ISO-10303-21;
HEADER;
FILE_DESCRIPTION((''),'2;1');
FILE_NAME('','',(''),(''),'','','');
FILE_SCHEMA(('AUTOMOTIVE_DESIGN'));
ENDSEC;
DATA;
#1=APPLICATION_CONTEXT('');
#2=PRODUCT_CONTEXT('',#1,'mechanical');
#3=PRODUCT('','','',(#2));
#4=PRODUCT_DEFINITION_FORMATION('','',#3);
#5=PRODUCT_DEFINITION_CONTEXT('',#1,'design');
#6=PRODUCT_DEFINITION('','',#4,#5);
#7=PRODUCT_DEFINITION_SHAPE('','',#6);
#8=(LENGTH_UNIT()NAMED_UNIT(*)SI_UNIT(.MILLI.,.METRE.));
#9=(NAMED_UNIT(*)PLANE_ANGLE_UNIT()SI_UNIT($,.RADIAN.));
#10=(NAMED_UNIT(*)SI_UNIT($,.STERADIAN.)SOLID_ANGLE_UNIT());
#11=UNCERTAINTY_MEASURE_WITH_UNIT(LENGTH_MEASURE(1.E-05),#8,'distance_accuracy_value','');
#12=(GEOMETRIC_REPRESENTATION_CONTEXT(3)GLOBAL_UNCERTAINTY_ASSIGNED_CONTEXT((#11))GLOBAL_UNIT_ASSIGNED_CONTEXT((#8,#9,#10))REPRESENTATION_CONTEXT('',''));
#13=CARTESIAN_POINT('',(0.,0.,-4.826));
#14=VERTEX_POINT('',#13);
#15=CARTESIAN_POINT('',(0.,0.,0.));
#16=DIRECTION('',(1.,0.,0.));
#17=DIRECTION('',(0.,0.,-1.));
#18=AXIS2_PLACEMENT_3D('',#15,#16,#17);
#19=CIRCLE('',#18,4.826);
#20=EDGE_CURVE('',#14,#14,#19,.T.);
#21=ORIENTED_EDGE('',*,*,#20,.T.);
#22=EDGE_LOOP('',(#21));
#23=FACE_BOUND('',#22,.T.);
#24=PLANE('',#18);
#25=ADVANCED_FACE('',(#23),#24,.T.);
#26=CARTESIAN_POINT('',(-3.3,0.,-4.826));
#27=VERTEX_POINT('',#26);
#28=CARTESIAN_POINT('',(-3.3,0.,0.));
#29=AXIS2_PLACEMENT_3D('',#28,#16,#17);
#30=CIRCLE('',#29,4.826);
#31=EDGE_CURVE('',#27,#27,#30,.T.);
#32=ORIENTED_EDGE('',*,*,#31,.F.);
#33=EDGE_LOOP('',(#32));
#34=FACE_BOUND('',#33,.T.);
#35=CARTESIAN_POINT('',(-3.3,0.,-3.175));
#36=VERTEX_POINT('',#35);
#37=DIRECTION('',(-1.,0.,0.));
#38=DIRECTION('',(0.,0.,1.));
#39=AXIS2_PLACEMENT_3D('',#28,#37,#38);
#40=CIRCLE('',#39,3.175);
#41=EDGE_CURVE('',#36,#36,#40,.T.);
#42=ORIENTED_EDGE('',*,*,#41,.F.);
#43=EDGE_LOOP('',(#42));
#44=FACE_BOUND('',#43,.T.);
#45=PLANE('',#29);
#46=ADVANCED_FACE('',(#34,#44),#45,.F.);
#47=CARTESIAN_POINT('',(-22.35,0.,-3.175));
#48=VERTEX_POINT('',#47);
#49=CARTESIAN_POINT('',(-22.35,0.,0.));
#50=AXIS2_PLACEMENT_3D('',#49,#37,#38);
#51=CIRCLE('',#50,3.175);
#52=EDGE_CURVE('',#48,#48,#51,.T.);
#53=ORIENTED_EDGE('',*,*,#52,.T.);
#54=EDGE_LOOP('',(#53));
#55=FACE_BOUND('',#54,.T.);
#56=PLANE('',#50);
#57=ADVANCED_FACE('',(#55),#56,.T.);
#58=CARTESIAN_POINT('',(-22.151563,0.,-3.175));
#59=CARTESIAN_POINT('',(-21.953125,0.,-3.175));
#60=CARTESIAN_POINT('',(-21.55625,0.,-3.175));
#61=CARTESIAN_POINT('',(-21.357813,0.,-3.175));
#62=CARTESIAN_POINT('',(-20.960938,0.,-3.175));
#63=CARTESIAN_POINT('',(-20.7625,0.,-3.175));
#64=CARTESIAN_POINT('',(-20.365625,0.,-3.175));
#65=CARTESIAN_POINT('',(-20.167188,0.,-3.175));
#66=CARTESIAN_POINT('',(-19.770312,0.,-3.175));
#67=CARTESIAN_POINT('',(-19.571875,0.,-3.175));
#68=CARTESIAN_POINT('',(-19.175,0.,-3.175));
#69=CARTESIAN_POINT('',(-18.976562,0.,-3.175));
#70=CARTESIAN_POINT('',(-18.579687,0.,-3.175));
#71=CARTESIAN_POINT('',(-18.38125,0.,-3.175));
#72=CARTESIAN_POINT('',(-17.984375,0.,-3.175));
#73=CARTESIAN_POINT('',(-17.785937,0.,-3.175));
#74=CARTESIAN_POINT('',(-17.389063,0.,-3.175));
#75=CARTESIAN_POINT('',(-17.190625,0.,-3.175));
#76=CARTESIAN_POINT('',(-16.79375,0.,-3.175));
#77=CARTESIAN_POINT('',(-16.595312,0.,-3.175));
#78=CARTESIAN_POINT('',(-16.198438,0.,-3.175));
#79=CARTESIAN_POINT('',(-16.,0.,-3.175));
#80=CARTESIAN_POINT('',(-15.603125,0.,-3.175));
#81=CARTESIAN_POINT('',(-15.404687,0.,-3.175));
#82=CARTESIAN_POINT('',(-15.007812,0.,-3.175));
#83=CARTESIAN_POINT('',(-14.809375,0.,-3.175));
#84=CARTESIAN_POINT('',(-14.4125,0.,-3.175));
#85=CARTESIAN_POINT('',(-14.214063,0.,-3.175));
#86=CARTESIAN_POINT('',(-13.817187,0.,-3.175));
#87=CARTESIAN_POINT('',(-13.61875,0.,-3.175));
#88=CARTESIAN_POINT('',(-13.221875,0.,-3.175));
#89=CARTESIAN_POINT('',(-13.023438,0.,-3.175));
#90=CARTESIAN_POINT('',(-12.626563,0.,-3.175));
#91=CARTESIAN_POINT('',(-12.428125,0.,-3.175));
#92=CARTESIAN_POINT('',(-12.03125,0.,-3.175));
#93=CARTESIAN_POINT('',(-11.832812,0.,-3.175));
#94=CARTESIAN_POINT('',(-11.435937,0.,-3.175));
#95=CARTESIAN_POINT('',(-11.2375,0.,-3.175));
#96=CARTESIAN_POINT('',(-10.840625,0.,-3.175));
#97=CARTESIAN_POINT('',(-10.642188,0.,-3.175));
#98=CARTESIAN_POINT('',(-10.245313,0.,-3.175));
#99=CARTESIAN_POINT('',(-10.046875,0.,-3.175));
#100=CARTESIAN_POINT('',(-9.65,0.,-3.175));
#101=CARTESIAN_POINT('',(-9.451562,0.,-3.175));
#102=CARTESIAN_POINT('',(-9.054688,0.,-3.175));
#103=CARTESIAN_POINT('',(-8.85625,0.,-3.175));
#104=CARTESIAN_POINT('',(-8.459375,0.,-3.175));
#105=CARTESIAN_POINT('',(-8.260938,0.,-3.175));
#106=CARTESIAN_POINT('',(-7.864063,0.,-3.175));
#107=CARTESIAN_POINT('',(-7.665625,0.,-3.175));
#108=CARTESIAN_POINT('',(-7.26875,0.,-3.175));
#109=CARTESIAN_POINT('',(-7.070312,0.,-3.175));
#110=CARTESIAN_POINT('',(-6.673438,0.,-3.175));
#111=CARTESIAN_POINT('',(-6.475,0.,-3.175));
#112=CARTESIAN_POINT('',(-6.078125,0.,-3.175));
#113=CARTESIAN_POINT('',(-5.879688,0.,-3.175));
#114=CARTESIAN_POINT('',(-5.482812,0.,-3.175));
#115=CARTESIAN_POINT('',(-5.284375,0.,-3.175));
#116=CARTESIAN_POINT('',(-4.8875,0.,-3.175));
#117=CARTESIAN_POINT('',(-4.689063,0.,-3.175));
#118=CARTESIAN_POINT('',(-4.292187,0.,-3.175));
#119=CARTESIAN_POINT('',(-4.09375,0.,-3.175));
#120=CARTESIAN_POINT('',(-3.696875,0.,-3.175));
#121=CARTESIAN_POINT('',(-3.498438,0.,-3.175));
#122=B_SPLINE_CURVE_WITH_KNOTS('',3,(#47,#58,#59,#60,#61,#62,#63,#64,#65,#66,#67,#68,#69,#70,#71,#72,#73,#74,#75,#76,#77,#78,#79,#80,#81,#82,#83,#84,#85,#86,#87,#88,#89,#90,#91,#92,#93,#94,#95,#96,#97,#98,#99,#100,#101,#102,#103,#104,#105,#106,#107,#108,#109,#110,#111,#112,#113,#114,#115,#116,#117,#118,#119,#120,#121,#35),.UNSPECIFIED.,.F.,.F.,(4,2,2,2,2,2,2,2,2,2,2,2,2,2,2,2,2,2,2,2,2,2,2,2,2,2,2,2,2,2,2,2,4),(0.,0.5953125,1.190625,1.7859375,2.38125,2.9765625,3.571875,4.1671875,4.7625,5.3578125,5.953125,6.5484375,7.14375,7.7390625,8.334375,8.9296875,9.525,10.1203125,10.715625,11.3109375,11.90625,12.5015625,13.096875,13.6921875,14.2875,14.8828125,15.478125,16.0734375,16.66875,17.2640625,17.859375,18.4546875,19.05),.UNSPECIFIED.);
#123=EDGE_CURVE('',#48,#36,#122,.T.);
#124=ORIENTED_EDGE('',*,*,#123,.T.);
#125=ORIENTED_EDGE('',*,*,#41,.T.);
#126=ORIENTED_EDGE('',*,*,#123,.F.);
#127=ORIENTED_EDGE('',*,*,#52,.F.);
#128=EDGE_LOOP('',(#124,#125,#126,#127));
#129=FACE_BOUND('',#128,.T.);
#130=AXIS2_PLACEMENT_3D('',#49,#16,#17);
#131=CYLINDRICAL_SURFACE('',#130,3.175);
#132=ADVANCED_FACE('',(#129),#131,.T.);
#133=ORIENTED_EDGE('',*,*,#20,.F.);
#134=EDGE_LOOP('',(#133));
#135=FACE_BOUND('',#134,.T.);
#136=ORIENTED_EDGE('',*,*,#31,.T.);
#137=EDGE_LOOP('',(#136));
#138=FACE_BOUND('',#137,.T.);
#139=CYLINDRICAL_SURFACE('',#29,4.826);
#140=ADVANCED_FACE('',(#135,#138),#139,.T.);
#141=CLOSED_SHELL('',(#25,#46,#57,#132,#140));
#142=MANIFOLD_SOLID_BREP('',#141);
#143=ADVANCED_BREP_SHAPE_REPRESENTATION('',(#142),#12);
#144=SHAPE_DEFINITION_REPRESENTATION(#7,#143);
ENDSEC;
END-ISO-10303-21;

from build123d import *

# Parameters (mm, degrees)
SKETCH1_R           = 4.826
BOSS_EXTRUDE1_DEPTH = 3.3
SKETCH2_R           = 3.175
BOSS_EXTRUDE2_DEPTH = 19.05


with BuildPart() as part:
    # Sketch1 → Boss-Extrude1 (new body)
    with BuildSketch(Plane(origin=(0, 0, 0), x_dir=(0, 0, -1), z_dir=(1, 0, 0))):
        Circle(SKETCH1_R)
    extrude(amount=-BOSS_EXTRUDE1_DEPTH)

    # Sketch2 → Boss-Extrude2 (add)
    with BuildSketch(Plane.ZY.offset(3.3)):
        with Locations(Location((0, 0, 0), (0, 0, 180))):
            Circle(SKETCH2_R)
    extrude(amount=BOSS_EXTRUDE2_DEPTH)


solid = part.part
